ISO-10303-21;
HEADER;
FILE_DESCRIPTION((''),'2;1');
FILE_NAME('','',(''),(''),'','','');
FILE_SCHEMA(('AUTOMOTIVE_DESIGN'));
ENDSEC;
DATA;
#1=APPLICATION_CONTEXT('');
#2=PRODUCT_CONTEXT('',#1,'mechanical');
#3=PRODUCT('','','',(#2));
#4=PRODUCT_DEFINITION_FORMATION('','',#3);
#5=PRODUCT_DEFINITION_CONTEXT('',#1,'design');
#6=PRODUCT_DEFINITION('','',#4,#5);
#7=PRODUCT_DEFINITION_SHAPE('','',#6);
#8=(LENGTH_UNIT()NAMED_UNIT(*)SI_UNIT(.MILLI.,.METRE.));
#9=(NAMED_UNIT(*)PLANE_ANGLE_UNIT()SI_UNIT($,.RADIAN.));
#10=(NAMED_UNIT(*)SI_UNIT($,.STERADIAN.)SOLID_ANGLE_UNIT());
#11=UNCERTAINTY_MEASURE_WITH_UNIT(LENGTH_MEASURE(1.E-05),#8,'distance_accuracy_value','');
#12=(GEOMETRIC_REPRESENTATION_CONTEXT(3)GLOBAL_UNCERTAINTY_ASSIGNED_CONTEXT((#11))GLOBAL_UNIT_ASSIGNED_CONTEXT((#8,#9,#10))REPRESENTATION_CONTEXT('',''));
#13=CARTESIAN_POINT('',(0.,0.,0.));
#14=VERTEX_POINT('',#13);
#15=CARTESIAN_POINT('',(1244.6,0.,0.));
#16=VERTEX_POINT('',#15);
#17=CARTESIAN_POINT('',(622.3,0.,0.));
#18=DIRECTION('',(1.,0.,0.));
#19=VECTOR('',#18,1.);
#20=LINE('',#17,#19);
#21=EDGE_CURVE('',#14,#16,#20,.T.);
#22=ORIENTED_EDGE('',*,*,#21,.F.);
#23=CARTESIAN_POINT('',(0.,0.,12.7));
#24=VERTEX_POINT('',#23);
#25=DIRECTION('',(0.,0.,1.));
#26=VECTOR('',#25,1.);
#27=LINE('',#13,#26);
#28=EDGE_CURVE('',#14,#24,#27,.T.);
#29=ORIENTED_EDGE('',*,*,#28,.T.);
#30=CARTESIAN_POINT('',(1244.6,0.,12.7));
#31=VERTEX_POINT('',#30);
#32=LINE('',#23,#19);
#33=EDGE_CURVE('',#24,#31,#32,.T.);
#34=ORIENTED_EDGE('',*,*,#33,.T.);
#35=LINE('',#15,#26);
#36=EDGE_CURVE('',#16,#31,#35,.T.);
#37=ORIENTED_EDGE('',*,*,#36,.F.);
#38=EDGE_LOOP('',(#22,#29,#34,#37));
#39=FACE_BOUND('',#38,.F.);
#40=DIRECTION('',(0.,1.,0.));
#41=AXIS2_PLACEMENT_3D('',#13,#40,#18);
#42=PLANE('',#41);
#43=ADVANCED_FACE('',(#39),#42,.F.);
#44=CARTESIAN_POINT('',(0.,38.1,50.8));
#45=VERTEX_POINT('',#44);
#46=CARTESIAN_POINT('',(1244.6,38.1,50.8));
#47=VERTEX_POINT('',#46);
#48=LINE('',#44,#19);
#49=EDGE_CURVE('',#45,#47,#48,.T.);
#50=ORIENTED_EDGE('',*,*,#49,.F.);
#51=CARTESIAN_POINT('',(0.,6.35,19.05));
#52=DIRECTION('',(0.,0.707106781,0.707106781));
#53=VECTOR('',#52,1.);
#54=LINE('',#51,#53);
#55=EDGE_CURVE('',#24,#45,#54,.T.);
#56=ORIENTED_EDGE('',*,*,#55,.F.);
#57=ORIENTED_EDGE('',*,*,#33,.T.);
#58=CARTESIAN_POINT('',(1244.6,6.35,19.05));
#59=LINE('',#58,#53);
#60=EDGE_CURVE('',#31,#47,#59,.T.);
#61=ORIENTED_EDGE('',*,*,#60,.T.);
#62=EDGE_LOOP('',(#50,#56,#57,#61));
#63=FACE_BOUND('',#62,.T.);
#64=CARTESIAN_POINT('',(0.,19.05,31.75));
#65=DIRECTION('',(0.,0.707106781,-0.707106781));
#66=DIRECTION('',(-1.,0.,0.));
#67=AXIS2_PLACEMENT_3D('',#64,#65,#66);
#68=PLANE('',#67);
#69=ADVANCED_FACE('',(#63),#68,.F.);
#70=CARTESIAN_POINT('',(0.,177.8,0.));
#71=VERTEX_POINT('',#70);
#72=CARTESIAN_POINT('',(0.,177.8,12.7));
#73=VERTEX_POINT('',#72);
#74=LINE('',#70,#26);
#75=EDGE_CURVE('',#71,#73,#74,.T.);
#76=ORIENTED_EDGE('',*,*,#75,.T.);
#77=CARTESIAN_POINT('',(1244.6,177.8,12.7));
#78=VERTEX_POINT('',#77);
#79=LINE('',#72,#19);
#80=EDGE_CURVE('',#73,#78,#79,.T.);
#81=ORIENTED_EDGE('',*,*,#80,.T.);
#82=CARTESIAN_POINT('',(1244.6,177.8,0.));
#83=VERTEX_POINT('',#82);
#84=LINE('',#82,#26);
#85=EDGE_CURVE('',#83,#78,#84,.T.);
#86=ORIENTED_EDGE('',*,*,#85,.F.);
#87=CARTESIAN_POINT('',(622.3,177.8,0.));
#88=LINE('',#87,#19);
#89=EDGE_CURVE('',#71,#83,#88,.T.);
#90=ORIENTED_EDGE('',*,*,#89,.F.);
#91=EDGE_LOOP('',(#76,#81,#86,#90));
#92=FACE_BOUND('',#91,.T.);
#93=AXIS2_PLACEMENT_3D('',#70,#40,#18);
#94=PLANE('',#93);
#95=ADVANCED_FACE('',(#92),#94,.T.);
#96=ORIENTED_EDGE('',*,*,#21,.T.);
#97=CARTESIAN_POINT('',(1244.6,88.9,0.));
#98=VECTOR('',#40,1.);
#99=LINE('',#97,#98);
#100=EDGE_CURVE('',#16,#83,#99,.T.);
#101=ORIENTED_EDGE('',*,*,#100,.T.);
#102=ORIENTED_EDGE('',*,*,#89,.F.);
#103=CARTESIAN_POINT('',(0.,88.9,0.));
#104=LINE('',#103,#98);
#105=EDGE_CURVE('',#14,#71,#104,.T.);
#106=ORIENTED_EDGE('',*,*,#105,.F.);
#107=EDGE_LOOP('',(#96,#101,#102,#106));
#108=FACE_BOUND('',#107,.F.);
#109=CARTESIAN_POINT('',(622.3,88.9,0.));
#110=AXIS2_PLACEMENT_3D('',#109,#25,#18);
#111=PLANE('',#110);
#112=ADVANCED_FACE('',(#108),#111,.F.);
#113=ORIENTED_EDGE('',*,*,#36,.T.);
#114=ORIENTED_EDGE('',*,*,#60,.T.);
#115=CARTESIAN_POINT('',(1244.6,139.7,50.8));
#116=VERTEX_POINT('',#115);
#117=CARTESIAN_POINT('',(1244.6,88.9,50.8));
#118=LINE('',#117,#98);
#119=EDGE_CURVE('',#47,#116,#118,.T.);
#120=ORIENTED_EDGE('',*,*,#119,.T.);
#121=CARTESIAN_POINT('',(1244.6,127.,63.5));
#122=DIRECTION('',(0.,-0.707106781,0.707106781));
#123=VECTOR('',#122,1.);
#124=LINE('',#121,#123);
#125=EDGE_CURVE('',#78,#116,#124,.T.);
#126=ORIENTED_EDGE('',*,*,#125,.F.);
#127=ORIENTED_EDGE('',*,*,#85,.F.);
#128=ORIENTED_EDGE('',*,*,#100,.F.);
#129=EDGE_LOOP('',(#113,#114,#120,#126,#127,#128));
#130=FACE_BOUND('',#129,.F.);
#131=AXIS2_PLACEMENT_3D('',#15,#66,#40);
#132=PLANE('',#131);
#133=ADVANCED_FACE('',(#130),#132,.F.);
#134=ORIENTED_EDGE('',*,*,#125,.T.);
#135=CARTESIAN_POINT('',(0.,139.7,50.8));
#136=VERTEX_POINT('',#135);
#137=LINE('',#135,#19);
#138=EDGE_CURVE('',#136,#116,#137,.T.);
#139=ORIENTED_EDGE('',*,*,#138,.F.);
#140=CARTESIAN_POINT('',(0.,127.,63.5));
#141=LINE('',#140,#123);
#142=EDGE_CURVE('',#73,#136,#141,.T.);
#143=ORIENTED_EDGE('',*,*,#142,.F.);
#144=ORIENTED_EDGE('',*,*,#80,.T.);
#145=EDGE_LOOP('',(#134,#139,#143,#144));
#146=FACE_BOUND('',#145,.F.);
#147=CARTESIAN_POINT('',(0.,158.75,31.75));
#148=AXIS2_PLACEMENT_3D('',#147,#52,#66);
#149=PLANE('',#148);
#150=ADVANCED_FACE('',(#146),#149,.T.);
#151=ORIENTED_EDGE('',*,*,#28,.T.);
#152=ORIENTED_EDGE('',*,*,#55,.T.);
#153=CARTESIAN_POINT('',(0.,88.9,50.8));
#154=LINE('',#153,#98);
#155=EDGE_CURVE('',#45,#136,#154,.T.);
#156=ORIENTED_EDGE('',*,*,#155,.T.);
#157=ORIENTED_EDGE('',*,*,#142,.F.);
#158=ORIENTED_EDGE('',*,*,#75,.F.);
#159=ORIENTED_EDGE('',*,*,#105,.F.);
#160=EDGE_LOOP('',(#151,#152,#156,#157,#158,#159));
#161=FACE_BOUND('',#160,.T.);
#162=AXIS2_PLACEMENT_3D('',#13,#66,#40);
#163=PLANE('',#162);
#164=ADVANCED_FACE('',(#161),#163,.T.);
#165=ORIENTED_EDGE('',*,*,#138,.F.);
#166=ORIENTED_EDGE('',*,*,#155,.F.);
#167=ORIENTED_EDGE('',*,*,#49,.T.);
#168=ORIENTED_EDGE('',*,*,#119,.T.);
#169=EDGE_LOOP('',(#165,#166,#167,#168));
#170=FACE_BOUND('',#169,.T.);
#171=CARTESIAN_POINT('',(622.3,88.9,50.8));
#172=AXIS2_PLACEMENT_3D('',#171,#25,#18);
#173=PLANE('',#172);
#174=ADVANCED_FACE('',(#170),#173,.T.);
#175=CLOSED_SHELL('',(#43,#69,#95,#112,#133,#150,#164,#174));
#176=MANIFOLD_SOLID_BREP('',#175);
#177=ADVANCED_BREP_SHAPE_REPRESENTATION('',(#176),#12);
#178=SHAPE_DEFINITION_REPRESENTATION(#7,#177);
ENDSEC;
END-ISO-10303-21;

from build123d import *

# Parameters (mm, degrees)
F0_W     = 1244.6
F0_H     = 177.8
F1_DEPTH = 50.8
F2_SIZE2 = 38.1
F2_SIZE  = 38.1


with BuildPart() as f1:
    # F0 (on Top) → F1 (new body)
    with BuildSketch(Plane.XY):
        with Locations((622.3, 88.9)):
            Rectangle(F0_W, F0_H)
    extrude(amount=F1_DEPTH)

    # F2
    f2_edges = [f1.edges().sort_by_distance(p)[0] for p in [
        (622.3, 0, 50.8),
        (622.3, 177.8, 50.8),
    ]]
    chamfer(f2_edges, length=F2_SIZE, length2=F2_SIZE2)


solid = f1.part
